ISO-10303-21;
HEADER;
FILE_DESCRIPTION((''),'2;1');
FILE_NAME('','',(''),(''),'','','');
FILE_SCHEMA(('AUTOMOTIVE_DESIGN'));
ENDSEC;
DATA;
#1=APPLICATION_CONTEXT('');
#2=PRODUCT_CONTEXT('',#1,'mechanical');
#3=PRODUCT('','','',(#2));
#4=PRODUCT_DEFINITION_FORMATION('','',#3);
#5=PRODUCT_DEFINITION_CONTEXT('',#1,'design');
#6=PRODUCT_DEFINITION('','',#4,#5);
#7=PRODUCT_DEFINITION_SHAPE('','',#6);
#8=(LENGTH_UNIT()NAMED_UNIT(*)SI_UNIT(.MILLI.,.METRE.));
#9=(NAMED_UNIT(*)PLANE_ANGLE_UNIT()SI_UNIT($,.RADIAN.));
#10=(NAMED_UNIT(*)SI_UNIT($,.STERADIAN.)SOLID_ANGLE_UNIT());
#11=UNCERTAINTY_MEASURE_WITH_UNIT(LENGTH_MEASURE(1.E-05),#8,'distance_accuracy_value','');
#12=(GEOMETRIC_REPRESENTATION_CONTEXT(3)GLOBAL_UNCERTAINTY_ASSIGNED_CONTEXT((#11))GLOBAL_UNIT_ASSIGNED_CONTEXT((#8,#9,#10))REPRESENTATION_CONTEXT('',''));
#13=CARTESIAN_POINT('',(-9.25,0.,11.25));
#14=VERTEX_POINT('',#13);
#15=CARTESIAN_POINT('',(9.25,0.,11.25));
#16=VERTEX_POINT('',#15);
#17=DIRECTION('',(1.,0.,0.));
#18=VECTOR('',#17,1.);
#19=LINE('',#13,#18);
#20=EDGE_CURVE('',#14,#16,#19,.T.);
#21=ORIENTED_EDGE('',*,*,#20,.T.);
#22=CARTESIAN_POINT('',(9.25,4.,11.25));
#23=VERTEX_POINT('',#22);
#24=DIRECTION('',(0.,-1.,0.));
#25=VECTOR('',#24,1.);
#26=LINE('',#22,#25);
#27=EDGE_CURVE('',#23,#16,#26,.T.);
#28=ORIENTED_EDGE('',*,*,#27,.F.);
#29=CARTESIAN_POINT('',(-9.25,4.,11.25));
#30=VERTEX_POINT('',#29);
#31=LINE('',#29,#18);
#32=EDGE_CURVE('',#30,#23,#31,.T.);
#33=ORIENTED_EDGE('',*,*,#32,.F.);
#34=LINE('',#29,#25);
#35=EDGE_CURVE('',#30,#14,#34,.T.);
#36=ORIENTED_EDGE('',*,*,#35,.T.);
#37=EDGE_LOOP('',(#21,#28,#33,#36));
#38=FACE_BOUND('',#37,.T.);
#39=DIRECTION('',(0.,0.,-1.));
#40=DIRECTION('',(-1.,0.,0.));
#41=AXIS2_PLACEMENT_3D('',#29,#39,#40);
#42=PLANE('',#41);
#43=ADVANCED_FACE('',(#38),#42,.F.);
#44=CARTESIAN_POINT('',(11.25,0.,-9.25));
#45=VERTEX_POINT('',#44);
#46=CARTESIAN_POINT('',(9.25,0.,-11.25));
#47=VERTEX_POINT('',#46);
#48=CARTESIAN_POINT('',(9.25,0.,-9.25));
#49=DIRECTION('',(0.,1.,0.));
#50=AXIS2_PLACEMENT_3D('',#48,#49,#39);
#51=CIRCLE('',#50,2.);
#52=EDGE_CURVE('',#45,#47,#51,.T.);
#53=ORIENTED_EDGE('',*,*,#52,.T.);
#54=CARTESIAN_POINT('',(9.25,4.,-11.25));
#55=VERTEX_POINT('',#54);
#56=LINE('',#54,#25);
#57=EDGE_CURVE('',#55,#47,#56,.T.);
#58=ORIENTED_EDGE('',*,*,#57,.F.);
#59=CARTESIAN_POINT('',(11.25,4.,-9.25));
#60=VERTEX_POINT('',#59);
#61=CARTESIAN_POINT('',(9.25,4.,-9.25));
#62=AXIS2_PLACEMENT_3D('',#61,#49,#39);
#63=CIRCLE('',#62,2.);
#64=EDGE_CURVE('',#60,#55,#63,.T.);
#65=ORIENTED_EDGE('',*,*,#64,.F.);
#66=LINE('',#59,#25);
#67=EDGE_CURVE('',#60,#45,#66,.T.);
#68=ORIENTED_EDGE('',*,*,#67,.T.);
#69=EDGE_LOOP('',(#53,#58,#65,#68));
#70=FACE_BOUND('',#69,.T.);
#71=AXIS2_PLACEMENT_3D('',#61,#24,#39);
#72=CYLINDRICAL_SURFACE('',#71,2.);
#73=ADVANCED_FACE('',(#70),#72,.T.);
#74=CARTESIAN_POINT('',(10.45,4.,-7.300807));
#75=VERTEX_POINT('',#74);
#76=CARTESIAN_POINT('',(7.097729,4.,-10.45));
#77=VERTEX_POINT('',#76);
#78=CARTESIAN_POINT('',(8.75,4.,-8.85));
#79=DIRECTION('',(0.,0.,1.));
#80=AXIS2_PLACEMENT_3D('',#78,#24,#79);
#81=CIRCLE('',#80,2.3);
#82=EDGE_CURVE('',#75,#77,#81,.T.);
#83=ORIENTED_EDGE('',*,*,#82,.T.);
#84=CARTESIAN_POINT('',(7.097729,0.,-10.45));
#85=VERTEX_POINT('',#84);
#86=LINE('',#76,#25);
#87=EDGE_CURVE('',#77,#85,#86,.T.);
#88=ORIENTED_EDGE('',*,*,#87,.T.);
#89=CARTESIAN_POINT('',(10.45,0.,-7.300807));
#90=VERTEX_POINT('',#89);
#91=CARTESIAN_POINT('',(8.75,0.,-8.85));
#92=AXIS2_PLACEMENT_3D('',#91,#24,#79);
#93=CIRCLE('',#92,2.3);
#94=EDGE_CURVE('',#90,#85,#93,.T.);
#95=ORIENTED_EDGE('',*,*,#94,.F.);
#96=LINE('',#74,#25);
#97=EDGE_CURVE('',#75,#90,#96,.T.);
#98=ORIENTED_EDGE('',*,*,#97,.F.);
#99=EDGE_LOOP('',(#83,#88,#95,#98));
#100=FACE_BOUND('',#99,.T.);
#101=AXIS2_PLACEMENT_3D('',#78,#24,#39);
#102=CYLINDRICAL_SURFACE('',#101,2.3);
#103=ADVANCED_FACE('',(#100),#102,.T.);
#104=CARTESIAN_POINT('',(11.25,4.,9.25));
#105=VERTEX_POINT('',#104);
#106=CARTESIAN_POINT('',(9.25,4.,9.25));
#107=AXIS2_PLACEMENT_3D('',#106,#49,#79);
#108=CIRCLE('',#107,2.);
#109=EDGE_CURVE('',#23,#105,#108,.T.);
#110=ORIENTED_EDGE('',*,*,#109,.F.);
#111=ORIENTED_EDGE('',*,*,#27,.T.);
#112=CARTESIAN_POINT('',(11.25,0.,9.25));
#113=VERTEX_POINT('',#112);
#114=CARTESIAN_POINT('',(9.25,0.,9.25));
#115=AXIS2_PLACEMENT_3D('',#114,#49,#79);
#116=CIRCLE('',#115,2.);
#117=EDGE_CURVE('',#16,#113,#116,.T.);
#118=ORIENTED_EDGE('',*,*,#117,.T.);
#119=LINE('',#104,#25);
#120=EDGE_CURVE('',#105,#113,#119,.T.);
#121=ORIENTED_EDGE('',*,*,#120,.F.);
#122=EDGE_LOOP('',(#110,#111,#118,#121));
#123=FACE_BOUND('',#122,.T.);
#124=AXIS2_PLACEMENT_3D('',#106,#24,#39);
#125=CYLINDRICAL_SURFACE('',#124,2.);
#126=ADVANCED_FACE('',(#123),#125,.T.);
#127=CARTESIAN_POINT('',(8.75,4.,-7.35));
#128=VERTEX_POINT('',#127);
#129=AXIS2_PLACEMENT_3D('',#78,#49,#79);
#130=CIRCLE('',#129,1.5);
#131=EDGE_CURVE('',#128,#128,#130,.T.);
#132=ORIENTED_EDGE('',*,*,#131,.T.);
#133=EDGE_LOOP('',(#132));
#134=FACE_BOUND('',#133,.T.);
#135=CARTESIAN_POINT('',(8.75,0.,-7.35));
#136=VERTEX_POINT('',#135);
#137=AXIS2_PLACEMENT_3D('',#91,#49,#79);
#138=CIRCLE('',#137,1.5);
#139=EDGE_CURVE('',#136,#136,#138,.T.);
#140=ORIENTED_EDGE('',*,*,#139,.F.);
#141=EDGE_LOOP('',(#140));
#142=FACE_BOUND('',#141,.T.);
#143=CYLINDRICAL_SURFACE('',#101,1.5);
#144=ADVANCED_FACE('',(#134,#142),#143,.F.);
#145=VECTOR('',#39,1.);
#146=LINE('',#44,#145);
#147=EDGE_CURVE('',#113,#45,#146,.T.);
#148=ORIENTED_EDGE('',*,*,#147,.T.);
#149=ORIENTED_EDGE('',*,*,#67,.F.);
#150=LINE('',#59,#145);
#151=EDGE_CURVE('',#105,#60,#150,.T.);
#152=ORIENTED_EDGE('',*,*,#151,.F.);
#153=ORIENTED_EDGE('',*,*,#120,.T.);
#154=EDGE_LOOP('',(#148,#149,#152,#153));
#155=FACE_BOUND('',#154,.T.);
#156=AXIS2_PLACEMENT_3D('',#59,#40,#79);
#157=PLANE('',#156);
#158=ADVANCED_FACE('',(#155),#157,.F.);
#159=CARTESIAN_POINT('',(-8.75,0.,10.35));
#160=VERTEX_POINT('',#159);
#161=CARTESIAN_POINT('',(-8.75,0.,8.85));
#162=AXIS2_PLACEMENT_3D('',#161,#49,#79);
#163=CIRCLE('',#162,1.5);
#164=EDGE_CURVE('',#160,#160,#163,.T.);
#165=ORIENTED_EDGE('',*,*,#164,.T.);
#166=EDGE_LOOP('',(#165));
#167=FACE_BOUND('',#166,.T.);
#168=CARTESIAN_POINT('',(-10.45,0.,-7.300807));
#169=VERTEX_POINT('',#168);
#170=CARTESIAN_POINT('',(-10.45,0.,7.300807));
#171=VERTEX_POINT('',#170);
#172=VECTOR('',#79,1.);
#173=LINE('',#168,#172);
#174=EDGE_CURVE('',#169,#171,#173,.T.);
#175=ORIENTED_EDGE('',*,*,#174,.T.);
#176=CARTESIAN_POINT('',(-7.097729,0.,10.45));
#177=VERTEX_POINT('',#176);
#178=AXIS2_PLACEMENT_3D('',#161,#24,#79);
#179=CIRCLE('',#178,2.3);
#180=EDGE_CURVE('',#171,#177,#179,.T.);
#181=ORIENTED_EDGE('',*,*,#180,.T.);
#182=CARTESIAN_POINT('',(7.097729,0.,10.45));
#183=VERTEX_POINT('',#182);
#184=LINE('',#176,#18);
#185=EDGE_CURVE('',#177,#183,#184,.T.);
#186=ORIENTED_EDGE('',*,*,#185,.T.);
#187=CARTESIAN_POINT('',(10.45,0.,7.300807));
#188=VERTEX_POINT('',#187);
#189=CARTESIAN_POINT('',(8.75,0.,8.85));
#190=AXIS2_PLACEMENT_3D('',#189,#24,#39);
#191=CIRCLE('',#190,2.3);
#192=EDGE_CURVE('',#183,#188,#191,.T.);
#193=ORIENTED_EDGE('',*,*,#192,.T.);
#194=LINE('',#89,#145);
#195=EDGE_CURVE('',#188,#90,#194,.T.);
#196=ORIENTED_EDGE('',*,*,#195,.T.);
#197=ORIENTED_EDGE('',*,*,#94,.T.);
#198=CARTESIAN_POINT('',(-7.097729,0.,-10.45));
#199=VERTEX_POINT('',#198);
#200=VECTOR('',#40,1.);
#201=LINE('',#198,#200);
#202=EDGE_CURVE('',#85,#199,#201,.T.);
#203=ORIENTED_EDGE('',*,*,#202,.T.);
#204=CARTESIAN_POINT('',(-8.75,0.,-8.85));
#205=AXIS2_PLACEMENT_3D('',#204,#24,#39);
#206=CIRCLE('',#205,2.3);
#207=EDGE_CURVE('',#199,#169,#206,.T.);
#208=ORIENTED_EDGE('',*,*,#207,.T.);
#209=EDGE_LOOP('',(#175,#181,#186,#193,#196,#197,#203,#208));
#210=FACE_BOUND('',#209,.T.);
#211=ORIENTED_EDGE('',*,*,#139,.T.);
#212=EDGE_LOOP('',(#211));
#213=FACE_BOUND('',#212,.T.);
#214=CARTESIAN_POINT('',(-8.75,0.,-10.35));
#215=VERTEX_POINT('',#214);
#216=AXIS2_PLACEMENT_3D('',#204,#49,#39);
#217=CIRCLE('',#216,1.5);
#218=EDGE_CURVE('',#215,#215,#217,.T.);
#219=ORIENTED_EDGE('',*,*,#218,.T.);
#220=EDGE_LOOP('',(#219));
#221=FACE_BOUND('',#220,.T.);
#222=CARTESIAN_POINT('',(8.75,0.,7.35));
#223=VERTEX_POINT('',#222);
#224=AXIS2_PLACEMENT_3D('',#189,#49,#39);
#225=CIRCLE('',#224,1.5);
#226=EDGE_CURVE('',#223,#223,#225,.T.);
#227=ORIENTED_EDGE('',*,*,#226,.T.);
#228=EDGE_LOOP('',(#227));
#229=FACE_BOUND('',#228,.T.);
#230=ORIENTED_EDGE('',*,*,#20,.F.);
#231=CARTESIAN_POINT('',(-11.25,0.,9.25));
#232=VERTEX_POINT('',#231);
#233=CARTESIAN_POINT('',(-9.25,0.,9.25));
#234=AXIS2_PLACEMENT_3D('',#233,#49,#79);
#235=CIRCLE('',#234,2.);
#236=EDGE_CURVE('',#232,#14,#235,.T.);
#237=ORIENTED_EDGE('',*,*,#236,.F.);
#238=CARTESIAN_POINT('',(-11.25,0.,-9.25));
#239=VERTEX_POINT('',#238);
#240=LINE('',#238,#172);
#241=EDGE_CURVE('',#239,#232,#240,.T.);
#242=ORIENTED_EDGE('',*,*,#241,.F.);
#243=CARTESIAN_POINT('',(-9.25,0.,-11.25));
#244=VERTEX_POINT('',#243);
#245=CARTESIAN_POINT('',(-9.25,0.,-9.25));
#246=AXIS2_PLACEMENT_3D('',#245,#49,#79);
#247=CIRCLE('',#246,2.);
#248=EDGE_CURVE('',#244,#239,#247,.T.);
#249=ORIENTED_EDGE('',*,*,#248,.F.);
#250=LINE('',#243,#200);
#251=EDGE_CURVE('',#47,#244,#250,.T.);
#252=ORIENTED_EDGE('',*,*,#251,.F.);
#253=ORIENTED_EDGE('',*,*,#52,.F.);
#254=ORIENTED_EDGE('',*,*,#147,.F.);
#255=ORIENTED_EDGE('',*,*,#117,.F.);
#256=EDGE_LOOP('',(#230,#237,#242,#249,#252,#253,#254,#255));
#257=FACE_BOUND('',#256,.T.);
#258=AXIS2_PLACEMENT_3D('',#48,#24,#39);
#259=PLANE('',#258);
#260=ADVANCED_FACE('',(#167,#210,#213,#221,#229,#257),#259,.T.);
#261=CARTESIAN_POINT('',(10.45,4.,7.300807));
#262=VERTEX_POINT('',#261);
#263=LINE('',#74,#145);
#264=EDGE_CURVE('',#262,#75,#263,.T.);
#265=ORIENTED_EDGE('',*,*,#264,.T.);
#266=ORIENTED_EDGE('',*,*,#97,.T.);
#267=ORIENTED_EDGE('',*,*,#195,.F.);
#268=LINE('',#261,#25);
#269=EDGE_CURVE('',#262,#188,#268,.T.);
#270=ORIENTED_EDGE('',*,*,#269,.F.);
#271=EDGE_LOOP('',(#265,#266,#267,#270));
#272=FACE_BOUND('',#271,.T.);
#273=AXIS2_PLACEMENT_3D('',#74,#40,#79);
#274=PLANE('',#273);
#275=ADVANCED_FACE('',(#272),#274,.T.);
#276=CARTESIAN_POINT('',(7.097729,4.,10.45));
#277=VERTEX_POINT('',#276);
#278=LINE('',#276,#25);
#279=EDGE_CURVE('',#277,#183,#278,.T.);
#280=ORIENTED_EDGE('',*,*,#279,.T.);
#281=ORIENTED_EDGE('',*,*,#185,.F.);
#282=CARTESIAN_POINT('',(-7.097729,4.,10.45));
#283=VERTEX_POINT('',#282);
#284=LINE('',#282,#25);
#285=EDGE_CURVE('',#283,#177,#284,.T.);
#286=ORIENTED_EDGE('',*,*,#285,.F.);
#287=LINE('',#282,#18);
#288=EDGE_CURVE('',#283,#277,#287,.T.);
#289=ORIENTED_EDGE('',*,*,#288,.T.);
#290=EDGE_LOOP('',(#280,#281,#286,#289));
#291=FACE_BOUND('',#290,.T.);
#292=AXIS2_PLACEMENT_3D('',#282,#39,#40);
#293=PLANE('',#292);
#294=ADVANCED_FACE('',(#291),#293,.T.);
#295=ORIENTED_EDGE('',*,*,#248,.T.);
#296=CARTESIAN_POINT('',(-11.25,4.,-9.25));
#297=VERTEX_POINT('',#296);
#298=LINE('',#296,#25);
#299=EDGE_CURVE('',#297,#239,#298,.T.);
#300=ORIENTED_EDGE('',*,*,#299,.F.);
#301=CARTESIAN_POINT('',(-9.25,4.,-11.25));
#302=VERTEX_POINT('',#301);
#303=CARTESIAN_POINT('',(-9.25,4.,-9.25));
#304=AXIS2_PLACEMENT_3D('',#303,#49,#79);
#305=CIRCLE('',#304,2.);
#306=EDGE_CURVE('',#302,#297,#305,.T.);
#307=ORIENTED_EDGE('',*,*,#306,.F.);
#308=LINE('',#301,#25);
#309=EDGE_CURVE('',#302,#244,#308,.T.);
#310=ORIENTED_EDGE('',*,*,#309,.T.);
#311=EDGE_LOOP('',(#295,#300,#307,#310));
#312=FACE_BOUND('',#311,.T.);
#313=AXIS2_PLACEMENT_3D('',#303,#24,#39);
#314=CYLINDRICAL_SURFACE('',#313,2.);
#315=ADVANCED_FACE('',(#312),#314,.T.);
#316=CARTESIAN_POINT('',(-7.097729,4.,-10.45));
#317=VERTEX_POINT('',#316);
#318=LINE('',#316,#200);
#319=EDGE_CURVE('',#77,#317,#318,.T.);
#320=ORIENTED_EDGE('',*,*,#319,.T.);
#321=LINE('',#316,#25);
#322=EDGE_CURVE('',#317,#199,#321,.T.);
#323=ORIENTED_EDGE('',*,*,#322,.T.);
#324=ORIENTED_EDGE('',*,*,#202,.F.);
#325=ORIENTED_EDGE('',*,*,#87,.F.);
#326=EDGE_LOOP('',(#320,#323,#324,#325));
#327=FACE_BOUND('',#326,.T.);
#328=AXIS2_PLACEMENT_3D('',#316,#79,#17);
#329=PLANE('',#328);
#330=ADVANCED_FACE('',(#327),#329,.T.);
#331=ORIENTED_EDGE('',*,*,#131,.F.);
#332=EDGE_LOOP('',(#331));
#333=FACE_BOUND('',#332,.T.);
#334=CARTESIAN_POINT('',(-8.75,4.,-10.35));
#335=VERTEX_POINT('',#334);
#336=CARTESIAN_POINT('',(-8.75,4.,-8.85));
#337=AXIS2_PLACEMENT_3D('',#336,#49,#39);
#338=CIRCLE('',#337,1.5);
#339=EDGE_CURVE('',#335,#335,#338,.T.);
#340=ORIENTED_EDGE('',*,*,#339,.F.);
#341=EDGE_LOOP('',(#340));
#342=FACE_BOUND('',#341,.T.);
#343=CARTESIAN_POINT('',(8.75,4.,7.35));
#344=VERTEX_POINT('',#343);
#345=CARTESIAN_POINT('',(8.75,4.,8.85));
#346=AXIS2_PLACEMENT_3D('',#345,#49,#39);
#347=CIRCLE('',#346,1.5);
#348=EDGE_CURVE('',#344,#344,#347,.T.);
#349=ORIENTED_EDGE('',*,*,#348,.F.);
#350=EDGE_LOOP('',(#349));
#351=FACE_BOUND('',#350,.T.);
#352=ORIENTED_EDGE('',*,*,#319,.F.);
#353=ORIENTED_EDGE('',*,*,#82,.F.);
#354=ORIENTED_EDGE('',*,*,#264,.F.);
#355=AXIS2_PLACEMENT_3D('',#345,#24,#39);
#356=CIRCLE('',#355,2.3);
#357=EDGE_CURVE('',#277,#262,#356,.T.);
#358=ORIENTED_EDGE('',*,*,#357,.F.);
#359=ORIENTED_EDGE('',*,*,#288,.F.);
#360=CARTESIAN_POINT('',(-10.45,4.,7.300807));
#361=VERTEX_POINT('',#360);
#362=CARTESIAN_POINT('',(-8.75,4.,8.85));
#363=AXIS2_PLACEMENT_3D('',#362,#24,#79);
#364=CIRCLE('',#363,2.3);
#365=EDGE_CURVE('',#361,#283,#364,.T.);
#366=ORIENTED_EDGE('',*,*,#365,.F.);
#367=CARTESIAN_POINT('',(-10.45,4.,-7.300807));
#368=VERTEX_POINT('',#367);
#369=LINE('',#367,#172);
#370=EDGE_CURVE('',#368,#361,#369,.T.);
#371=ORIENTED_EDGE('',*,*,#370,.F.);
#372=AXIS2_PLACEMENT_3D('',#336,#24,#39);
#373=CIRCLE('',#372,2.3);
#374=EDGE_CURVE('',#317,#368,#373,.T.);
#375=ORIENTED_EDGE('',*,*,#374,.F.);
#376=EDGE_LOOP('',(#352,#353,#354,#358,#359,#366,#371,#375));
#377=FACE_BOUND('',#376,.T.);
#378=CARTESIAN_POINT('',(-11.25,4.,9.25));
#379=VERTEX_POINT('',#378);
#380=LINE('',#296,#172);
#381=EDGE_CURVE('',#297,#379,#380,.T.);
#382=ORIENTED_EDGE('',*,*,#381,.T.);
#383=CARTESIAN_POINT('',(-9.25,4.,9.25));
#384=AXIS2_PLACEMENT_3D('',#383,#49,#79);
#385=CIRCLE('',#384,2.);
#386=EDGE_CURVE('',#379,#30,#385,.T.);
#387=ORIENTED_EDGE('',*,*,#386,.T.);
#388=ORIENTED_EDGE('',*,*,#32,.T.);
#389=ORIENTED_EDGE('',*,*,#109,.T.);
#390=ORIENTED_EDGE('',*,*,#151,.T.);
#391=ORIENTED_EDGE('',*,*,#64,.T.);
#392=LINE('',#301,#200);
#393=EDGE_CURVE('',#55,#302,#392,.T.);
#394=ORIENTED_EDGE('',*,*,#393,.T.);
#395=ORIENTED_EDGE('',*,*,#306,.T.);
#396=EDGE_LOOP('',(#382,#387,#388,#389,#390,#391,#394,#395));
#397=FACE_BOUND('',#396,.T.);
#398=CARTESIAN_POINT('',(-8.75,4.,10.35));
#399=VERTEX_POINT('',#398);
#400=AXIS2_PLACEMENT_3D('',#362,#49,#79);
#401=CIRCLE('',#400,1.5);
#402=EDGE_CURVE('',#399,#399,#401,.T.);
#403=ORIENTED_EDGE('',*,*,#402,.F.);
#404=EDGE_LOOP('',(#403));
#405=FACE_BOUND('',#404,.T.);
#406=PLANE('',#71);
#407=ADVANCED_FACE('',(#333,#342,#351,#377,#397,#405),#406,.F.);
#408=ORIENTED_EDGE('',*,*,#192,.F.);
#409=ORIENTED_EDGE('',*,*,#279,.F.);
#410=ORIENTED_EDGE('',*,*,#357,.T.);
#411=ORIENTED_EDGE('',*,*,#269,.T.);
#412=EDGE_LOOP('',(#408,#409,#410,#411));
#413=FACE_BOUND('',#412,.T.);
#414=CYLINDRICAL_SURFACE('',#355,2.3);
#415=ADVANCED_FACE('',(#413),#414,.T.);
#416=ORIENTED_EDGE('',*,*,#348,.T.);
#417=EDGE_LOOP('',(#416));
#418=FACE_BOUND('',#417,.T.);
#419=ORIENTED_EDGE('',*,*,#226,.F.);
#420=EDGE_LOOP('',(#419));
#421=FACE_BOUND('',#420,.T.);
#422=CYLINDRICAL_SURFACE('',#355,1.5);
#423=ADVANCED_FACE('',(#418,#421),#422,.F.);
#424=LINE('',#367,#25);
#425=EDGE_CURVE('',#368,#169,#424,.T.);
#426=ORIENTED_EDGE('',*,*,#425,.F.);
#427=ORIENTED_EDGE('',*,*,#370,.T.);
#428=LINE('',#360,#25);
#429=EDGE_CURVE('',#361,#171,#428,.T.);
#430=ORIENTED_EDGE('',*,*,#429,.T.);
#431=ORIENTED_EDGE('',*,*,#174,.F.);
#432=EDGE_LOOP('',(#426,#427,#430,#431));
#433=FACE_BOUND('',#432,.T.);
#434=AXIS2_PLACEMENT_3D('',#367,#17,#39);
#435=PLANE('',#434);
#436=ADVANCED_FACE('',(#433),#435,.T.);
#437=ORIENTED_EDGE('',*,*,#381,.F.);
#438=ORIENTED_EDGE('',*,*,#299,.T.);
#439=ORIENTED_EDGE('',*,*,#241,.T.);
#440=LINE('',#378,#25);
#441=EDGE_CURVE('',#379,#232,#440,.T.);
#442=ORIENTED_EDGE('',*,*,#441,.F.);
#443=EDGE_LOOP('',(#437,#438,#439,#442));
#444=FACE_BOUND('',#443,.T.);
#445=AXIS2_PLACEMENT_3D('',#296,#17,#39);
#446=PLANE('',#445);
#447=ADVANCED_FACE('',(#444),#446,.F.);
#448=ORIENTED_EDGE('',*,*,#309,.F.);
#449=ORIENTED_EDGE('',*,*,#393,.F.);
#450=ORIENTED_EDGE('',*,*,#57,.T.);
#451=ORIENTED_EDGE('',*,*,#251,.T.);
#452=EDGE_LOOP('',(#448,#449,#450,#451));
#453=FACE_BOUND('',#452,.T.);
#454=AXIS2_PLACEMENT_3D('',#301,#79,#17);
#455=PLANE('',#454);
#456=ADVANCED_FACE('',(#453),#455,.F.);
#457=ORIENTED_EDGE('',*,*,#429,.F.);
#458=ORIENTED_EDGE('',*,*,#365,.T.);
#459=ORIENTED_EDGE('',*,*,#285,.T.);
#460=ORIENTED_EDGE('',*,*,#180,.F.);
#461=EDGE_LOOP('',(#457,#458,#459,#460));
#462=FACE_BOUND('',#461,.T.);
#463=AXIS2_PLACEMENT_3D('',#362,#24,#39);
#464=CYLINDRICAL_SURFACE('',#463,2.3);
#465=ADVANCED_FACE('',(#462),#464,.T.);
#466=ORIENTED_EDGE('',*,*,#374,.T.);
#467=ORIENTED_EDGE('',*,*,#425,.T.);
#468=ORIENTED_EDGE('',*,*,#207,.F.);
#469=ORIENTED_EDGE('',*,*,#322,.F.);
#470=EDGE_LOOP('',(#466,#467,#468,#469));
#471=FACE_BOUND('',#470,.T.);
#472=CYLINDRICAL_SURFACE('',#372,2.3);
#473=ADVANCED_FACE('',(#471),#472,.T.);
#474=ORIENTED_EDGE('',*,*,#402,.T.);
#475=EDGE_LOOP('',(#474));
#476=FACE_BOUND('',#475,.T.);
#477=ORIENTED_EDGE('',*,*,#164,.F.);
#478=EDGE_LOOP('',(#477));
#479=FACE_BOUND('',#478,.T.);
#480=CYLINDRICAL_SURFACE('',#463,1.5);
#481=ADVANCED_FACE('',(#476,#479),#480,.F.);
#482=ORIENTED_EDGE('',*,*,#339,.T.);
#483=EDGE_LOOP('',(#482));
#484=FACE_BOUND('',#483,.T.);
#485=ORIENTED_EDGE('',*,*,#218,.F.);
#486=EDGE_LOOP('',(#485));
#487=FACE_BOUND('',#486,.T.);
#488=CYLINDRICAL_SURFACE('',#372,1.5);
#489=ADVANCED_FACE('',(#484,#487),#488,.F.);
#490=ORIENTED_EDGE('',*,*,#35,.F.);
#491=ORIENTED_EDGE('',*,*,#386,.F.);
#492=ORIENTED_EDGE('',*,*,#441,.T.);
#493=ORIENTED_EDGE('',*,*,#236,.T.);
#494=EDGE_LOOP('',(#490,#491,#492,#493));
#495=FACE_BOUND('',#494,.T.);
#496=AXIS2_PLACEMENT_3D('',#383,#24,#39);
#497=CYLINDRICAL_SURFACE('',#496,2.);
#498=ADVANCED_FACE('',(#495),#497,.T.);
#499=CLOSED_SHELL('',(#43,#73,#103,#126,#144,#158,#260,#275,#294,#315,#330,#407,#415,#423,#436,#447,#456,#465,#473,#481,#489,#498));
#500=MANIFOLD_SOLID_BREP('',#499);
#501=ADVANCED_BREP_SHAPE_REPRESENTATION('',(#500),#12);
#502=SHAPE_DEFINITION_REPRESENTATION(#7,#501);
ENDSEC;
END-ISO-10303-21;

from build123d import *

# Parameters (mm, degrees)
SKETCH1_R           = 1.5
BOSS_EXTRUDE1_DEPTH = 4


with BuildPart() as part:
    # Sketch1 → Boss-Extrude1 (new body)
    with BuildSketch(Plane(origin=(0, 0, 0), x_dir=(1, 0, 0), z_dir=(0, 1, 0))):
        with BuildLine():
            Line((-9.25, 11.25), (9.25, 11.25))
            ThreePointArc((9.25, 11.25), (10.664213562, 10.664213562), (11.25, 9.25))
            Line((11.25, 9.25), (11.25, -9.25))
            ThreePointArc((11.25, -9.25), (10.664213562, -10.664213562), (9.25, -11.25))
            Line((9.25, -11.25), (-9.25, -11.25))
            ThreePointArc((-9.25, -11.25), (-10.664213562, -10.664213562), (-11.25, -9.25))
            Line((-11.25, -9.25), (-11.25, 9.25))
            ThreePointArc((-11.25, 9.25), (-10.664213562, 10.664213562), (-9.25, 11.25))
        make_face()
        with Locations(Location((8.75, 8.85, 0), (0, 0, 270))):
            Circle(SKETCH1_R, mode=Mode.SUBTRACT)
        with Locations(Location((8.75, -8.85, 0), (0, 0, 90))):
            Circle(SKETCH1_R, mode=Mode.SUBTRACT)
        with Locations(Location((-8.75, 8.85, 0), (0, 0, 90))):
            Circle(SKETCH1_R, mode=Mode.SUBTRACT)
        with Locations(Location((-8.75, -8.85, 0), (0, 0, 270))):
            Circle(SKETCH1_R, mode=Mode.SUBTRACT)
        with BuildLine():
            Line((-7.097728836, 10.45), (7.097728836, 10.45))
            ThreePointArc((7.097728836, 10.45), (7.175222498, 7.173671924), (10.45, 7.300806662))
            Line((10.45, 7.300806662), (10.45, -7.300806662))
            ThreePointArc((10.45, -7.300806662), (7.175222498, -7.173671924), (7.097728836, -10.45))
            Line((7.097728836, -10.45), (-7.097728836, -10.45))
            ThreePointArc((-7.097728836, -10.45), (-7.175222498, -7.173671924), (-10.45, -7.300806662))
            Line((-10.45, -7.300806662), (-10.45, 7.300806662))
            ThreePointArc((-10.45, 7.300806662), (-7.175222498, 7.173671924), (-7.097728836, 10.45))
        make_face(mode=Mode.SUBTRACT)
    extrude(amount=BOSS_EXTRUDE1_DEPTH)


solid = part.part
